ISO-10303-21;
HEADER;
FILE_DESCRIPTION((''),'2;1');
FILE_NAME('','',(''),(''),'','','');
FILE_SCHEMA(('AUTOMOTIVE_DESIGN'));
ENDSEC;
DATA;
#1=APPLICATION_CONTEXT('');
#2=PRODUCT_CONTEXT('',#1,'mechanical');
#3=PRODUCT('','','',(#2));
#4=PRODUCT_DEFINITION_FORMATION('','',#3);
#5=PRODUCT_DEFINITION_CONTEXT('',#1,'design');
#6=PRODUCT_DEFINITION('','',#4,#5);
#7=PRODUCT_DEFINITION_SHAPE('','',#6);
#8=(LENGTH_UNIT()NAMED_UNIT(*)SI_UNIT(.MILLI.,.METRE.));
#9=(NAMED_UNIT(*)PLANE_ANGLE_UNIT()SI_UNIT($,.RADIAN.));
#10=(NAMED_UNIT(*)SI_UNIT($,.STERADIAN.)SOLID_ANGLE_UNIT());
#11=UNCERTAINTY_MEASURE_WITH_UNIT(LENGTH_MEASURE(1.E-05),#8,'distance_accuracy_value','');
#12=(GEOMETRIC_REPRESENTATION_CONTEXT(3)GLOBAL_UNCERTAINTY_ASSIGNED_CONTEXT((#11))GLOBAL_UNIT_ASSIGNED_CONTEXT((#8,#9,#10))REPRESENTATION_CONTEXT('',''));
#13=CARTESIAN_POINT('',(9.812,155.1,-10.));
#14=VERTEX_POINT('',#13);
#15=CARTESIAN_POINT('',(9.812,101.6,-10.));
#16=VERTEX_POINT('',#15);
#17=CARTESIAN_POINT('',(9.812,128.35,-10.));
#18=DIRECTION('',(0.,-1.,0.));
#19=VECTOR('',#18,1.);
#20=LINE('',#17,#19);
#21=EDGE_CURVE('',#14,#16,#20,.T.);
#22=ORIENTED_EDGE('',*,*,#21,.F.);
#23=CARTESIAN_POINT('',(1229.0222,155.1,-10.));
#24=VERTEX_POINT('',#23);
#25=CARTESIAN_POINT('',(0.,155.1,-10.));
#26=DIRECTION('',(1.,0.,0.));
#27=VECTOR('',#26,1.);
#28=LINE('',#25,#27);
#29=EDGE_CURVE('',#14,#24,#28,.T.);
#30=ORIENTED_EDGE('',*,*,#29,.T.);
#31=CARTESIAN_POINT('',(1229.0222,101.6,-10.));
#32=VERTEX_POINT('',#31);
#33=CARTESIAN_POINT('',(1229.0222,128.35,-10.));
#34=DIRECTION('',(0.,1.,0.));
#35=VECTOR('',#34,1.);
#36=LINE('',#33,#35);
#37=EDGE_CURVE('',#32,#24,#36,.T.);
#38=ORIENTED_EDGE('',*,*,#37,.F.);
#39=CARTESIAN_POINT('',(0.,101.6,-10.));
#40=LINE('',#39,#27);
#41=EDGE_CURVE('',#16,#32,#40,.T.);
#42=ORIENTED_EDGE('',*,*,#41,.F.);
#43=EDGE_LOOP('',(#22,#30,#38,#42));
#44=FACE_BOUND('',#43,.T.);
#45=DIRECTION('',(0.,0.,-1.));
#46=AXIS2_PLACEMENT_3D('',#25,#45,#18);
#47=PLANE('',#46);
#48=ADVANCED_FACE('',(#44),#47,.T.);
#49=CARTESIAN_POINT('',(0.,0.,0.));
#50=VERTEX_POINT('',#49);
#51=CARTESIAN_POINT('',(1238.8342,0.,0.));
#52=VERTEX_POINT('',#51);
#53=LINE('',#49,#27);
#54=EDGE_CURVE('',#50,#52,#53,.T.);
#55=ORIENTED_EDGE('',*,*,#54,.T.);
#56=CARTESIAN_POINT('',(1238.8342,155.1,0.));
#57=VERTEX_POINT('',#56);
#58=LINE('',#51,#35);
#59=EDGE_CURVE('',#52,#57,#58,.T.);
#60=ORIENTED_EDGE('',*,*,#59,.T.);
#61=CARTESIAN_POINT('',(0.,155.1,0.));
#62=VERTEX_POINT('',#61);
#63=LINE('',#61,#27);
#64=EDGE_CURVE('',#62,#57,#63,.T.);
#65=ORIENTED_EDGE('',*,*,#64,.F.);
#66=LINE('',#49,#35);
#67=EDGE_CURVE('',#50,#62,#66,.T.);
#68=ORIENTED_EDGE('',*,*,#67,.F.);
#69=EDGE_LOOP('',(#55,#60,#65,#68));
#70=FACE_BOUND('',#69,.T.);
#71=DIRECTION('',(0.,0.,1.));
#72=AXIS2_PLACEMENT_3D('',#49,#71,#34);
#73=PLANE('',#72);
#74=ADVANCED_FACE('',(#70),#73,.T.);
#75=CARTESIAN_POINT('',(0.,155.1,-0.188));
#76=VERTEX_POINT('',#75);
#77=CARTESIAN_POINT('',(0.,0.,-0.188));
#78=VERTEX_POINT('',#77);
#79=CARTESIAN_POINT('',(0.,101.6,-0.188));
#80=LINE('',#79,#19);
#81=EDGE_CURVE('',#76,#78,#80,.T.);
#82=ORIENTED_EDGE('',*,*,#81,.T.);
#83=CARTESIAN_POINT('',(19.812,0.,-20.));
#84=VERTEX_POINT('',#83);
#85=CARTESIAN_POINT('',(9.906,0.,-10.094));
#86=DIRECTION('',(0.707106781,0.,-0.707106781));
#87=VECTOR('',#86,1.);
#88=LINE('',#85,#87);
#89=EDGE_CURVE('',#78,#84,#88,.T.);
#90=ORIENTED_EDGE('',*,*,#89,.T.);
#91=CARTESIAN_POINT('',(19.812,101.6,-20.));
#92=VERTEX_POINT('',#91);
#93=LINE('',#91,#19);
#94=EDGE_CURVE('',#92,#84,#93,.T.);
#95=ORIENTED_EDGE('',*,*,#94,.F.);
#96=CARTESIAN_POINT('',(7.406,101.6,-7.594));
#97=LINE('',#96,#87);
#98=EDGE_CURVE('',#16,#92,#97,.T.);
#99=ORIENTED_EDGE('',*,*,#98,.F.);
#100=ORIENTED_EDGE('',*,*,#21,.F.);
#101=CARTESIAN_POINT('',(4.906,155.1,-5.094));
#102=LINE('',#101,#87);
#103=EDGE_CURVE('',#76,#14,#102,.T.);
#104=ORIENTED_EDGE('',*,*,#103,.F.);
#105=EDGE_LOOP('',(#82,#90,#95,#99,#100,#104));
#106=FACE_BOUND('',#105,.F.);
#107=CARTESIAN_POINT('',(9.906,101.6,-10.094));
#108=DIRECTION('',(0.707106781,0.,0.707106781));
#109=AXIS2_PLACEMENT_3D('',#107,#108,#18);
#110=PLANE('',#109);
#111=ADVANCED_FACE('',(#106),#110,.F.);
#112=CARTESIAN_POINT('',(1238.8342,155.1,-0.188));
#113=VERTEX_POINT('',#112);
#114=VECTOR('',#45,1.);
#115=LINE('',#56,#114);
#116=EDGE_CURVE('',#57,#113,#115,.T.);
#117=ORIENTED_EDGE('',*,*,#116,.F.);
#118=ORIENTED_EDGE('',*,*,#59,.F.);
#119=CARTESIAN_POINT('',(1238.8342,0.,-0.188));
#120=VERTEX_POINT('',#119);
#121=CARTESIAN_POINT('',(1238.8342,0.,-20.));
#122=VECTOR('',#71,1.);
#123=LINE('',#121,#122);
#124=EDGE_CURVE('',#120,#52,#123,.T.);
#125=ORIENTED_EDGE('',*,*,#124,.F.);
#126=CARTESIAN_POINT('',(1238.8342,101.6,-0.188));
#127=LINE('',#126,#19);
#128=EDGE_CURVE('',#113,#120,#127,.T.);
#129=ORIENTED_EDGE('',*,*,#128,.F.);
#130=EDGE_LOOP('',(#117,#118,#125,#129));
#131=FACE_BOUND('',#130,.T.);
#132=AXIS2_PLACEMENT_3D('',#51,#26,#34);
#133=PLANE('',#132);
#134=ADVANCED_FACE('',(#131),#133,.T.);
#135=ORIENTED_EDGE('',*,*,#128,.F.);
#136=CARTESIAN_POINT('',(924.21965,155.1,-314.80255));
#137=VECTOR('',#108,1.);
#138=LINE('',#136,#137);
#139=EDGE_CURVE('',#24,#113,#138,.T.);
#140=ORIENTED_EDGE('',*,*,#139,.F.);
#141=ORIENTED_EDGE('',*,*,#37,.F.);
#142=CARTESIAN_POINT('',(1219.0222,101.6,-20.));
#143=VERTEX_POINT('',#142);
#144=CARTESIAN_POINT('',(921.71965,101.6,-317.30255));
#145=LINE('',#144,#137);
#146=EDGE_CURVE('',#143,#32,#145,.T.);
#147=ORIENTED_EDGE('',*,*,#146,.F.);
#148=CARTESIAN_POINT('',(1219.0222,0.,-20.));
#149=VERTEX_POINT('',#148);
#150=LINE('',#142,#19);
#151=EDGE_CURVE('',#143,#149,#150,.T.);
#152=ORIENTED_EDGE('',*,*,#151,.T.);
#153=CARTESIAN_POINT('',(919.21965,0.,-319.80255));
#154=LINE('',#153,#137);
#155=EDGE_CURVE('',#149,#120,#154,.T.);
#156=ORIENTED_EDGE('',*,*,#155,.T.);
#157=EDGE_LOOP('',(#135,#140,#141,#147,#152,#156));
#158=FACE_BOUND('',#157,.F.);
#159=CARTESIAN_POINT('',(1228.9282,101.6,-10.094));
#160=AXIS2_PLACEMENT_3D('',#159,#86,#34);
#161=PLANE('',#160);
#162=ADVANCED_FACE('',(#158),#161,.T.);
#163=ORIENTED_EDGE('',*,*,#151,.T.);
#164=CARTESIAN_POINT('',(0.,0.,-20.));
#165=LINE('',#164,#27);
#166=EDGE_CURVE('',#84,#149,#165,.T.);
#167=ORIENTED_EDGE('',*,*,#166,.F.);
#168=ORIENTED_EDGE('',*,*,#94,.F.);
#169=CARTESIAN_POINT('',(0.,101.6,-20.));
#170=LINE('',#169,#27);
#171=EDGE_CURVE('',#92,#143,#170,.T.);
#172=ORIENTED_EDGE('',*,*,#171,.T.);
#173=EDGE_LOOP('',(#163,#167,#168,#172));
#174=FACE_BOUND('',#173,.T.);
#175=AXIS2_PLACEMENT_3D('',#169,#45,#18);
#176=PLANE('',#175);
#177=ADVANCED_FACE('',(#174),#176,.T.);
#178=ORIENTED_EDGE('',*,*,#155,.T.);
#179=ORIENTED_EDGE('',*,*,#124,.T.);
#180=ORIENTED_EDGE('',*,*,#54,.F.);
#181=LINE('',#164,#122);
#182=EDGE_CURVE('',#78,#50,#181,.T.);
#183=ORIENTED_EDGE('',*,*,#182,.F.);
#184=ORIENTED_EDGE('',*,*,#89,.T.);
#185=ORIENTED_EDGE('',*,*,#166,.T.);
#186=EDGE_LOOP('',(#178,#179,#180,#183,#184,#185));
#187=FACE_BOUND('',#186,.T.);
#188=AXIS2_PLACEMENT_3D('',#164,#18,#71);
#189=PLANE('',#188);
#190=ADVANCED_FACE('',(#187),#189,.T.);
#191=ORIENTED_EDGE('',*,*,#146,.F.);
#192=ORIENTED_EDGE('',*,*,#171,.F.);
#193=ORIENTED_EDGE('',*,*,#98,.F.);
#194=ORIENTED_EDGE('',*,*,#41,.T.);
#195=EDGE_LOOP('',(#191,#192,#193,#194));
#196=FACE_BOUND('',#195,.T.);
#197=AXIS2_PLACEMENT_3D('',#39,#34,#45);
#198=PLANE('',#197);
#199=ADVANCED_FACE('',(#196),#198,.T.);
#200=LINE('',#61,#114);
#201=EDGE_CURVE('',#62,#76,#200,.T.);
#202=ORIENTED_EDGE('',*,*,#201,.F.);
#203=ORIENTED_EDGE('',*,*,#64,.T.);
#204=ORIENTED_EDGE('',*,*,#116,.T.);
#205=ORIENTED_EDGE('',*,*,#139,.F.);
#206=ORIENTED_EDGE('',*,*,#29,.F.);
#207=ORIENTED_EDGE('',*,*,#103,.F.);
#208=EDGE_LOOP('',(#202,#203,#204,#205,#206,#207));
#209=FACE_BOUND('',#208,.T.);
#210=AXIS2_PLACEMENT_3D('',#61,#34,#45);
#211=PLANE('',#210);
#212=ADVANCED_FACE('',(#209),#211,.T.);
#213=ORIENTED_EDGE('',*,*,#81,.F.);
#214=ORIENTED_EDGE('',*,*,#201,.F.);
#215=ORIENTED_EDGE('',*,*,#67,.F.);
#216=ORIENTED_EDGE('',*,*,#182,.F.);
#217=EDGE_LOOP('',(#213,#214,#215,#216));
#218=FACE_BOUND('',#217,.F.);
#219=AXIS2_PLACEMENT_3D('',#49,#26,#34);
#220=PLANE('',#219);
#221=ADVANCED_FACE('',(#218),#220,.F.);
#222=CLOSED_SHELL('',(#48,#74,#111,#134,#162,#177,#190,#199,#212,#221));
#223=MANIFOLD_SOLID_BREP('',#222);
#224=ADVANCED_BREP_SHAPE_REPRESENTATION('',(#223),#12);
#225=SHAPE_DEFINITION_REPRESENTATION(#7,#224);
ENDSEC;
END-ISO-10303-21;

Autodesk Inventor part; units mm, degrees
ref_plane "YZ Plane" through (0, 0, 0) normal (1, 0, 0) x (0, 1, 0)
ref_plane "XZ Plane" through (0, 0, 0) normal (0, 1, 0) x (-1, 0, 0)
ref_plane "XY Plane" through (0, 0, 0) normal (0, 0, 1) x (1, 0, 0)
sketch "Sketch1" plane through (0, 0, 0) normal (1, 0, 0) x (0, 1, 0)
  line L0 (0, 0) -> (155.1, 0)
  line L1 (155.1, 0) -> (155.1, -10)
  line L2 (0, -20) -> (0, 0)
  line L3 (155.1, -10) -> (101.6, -10)
  line L4 (101.6, -10) -> (101.6, -20)
  line L5 (101.6, -20) -> (0, -20)
  dimension "d3" = 53.5
  dimension "d4" = 155.1
  dimension "d5" = 10
  dimension "d6" = 10
  dimension "d7" = 20
  dimension "d18" = 101.6
extrude "Extrusion1" add sketch "Sketch1" along normal blind 1238.8342
chamfer "Chamfer1" distance 19.812 angle 45 1 edges at (1238.8342, 50.8, -20)
chamfer "Chamfer2" distance 19.812 angle 45 1 edges at (0, 50.8, -20)
properties part number "SkinnySideLength" material "Wood (Birch)"
